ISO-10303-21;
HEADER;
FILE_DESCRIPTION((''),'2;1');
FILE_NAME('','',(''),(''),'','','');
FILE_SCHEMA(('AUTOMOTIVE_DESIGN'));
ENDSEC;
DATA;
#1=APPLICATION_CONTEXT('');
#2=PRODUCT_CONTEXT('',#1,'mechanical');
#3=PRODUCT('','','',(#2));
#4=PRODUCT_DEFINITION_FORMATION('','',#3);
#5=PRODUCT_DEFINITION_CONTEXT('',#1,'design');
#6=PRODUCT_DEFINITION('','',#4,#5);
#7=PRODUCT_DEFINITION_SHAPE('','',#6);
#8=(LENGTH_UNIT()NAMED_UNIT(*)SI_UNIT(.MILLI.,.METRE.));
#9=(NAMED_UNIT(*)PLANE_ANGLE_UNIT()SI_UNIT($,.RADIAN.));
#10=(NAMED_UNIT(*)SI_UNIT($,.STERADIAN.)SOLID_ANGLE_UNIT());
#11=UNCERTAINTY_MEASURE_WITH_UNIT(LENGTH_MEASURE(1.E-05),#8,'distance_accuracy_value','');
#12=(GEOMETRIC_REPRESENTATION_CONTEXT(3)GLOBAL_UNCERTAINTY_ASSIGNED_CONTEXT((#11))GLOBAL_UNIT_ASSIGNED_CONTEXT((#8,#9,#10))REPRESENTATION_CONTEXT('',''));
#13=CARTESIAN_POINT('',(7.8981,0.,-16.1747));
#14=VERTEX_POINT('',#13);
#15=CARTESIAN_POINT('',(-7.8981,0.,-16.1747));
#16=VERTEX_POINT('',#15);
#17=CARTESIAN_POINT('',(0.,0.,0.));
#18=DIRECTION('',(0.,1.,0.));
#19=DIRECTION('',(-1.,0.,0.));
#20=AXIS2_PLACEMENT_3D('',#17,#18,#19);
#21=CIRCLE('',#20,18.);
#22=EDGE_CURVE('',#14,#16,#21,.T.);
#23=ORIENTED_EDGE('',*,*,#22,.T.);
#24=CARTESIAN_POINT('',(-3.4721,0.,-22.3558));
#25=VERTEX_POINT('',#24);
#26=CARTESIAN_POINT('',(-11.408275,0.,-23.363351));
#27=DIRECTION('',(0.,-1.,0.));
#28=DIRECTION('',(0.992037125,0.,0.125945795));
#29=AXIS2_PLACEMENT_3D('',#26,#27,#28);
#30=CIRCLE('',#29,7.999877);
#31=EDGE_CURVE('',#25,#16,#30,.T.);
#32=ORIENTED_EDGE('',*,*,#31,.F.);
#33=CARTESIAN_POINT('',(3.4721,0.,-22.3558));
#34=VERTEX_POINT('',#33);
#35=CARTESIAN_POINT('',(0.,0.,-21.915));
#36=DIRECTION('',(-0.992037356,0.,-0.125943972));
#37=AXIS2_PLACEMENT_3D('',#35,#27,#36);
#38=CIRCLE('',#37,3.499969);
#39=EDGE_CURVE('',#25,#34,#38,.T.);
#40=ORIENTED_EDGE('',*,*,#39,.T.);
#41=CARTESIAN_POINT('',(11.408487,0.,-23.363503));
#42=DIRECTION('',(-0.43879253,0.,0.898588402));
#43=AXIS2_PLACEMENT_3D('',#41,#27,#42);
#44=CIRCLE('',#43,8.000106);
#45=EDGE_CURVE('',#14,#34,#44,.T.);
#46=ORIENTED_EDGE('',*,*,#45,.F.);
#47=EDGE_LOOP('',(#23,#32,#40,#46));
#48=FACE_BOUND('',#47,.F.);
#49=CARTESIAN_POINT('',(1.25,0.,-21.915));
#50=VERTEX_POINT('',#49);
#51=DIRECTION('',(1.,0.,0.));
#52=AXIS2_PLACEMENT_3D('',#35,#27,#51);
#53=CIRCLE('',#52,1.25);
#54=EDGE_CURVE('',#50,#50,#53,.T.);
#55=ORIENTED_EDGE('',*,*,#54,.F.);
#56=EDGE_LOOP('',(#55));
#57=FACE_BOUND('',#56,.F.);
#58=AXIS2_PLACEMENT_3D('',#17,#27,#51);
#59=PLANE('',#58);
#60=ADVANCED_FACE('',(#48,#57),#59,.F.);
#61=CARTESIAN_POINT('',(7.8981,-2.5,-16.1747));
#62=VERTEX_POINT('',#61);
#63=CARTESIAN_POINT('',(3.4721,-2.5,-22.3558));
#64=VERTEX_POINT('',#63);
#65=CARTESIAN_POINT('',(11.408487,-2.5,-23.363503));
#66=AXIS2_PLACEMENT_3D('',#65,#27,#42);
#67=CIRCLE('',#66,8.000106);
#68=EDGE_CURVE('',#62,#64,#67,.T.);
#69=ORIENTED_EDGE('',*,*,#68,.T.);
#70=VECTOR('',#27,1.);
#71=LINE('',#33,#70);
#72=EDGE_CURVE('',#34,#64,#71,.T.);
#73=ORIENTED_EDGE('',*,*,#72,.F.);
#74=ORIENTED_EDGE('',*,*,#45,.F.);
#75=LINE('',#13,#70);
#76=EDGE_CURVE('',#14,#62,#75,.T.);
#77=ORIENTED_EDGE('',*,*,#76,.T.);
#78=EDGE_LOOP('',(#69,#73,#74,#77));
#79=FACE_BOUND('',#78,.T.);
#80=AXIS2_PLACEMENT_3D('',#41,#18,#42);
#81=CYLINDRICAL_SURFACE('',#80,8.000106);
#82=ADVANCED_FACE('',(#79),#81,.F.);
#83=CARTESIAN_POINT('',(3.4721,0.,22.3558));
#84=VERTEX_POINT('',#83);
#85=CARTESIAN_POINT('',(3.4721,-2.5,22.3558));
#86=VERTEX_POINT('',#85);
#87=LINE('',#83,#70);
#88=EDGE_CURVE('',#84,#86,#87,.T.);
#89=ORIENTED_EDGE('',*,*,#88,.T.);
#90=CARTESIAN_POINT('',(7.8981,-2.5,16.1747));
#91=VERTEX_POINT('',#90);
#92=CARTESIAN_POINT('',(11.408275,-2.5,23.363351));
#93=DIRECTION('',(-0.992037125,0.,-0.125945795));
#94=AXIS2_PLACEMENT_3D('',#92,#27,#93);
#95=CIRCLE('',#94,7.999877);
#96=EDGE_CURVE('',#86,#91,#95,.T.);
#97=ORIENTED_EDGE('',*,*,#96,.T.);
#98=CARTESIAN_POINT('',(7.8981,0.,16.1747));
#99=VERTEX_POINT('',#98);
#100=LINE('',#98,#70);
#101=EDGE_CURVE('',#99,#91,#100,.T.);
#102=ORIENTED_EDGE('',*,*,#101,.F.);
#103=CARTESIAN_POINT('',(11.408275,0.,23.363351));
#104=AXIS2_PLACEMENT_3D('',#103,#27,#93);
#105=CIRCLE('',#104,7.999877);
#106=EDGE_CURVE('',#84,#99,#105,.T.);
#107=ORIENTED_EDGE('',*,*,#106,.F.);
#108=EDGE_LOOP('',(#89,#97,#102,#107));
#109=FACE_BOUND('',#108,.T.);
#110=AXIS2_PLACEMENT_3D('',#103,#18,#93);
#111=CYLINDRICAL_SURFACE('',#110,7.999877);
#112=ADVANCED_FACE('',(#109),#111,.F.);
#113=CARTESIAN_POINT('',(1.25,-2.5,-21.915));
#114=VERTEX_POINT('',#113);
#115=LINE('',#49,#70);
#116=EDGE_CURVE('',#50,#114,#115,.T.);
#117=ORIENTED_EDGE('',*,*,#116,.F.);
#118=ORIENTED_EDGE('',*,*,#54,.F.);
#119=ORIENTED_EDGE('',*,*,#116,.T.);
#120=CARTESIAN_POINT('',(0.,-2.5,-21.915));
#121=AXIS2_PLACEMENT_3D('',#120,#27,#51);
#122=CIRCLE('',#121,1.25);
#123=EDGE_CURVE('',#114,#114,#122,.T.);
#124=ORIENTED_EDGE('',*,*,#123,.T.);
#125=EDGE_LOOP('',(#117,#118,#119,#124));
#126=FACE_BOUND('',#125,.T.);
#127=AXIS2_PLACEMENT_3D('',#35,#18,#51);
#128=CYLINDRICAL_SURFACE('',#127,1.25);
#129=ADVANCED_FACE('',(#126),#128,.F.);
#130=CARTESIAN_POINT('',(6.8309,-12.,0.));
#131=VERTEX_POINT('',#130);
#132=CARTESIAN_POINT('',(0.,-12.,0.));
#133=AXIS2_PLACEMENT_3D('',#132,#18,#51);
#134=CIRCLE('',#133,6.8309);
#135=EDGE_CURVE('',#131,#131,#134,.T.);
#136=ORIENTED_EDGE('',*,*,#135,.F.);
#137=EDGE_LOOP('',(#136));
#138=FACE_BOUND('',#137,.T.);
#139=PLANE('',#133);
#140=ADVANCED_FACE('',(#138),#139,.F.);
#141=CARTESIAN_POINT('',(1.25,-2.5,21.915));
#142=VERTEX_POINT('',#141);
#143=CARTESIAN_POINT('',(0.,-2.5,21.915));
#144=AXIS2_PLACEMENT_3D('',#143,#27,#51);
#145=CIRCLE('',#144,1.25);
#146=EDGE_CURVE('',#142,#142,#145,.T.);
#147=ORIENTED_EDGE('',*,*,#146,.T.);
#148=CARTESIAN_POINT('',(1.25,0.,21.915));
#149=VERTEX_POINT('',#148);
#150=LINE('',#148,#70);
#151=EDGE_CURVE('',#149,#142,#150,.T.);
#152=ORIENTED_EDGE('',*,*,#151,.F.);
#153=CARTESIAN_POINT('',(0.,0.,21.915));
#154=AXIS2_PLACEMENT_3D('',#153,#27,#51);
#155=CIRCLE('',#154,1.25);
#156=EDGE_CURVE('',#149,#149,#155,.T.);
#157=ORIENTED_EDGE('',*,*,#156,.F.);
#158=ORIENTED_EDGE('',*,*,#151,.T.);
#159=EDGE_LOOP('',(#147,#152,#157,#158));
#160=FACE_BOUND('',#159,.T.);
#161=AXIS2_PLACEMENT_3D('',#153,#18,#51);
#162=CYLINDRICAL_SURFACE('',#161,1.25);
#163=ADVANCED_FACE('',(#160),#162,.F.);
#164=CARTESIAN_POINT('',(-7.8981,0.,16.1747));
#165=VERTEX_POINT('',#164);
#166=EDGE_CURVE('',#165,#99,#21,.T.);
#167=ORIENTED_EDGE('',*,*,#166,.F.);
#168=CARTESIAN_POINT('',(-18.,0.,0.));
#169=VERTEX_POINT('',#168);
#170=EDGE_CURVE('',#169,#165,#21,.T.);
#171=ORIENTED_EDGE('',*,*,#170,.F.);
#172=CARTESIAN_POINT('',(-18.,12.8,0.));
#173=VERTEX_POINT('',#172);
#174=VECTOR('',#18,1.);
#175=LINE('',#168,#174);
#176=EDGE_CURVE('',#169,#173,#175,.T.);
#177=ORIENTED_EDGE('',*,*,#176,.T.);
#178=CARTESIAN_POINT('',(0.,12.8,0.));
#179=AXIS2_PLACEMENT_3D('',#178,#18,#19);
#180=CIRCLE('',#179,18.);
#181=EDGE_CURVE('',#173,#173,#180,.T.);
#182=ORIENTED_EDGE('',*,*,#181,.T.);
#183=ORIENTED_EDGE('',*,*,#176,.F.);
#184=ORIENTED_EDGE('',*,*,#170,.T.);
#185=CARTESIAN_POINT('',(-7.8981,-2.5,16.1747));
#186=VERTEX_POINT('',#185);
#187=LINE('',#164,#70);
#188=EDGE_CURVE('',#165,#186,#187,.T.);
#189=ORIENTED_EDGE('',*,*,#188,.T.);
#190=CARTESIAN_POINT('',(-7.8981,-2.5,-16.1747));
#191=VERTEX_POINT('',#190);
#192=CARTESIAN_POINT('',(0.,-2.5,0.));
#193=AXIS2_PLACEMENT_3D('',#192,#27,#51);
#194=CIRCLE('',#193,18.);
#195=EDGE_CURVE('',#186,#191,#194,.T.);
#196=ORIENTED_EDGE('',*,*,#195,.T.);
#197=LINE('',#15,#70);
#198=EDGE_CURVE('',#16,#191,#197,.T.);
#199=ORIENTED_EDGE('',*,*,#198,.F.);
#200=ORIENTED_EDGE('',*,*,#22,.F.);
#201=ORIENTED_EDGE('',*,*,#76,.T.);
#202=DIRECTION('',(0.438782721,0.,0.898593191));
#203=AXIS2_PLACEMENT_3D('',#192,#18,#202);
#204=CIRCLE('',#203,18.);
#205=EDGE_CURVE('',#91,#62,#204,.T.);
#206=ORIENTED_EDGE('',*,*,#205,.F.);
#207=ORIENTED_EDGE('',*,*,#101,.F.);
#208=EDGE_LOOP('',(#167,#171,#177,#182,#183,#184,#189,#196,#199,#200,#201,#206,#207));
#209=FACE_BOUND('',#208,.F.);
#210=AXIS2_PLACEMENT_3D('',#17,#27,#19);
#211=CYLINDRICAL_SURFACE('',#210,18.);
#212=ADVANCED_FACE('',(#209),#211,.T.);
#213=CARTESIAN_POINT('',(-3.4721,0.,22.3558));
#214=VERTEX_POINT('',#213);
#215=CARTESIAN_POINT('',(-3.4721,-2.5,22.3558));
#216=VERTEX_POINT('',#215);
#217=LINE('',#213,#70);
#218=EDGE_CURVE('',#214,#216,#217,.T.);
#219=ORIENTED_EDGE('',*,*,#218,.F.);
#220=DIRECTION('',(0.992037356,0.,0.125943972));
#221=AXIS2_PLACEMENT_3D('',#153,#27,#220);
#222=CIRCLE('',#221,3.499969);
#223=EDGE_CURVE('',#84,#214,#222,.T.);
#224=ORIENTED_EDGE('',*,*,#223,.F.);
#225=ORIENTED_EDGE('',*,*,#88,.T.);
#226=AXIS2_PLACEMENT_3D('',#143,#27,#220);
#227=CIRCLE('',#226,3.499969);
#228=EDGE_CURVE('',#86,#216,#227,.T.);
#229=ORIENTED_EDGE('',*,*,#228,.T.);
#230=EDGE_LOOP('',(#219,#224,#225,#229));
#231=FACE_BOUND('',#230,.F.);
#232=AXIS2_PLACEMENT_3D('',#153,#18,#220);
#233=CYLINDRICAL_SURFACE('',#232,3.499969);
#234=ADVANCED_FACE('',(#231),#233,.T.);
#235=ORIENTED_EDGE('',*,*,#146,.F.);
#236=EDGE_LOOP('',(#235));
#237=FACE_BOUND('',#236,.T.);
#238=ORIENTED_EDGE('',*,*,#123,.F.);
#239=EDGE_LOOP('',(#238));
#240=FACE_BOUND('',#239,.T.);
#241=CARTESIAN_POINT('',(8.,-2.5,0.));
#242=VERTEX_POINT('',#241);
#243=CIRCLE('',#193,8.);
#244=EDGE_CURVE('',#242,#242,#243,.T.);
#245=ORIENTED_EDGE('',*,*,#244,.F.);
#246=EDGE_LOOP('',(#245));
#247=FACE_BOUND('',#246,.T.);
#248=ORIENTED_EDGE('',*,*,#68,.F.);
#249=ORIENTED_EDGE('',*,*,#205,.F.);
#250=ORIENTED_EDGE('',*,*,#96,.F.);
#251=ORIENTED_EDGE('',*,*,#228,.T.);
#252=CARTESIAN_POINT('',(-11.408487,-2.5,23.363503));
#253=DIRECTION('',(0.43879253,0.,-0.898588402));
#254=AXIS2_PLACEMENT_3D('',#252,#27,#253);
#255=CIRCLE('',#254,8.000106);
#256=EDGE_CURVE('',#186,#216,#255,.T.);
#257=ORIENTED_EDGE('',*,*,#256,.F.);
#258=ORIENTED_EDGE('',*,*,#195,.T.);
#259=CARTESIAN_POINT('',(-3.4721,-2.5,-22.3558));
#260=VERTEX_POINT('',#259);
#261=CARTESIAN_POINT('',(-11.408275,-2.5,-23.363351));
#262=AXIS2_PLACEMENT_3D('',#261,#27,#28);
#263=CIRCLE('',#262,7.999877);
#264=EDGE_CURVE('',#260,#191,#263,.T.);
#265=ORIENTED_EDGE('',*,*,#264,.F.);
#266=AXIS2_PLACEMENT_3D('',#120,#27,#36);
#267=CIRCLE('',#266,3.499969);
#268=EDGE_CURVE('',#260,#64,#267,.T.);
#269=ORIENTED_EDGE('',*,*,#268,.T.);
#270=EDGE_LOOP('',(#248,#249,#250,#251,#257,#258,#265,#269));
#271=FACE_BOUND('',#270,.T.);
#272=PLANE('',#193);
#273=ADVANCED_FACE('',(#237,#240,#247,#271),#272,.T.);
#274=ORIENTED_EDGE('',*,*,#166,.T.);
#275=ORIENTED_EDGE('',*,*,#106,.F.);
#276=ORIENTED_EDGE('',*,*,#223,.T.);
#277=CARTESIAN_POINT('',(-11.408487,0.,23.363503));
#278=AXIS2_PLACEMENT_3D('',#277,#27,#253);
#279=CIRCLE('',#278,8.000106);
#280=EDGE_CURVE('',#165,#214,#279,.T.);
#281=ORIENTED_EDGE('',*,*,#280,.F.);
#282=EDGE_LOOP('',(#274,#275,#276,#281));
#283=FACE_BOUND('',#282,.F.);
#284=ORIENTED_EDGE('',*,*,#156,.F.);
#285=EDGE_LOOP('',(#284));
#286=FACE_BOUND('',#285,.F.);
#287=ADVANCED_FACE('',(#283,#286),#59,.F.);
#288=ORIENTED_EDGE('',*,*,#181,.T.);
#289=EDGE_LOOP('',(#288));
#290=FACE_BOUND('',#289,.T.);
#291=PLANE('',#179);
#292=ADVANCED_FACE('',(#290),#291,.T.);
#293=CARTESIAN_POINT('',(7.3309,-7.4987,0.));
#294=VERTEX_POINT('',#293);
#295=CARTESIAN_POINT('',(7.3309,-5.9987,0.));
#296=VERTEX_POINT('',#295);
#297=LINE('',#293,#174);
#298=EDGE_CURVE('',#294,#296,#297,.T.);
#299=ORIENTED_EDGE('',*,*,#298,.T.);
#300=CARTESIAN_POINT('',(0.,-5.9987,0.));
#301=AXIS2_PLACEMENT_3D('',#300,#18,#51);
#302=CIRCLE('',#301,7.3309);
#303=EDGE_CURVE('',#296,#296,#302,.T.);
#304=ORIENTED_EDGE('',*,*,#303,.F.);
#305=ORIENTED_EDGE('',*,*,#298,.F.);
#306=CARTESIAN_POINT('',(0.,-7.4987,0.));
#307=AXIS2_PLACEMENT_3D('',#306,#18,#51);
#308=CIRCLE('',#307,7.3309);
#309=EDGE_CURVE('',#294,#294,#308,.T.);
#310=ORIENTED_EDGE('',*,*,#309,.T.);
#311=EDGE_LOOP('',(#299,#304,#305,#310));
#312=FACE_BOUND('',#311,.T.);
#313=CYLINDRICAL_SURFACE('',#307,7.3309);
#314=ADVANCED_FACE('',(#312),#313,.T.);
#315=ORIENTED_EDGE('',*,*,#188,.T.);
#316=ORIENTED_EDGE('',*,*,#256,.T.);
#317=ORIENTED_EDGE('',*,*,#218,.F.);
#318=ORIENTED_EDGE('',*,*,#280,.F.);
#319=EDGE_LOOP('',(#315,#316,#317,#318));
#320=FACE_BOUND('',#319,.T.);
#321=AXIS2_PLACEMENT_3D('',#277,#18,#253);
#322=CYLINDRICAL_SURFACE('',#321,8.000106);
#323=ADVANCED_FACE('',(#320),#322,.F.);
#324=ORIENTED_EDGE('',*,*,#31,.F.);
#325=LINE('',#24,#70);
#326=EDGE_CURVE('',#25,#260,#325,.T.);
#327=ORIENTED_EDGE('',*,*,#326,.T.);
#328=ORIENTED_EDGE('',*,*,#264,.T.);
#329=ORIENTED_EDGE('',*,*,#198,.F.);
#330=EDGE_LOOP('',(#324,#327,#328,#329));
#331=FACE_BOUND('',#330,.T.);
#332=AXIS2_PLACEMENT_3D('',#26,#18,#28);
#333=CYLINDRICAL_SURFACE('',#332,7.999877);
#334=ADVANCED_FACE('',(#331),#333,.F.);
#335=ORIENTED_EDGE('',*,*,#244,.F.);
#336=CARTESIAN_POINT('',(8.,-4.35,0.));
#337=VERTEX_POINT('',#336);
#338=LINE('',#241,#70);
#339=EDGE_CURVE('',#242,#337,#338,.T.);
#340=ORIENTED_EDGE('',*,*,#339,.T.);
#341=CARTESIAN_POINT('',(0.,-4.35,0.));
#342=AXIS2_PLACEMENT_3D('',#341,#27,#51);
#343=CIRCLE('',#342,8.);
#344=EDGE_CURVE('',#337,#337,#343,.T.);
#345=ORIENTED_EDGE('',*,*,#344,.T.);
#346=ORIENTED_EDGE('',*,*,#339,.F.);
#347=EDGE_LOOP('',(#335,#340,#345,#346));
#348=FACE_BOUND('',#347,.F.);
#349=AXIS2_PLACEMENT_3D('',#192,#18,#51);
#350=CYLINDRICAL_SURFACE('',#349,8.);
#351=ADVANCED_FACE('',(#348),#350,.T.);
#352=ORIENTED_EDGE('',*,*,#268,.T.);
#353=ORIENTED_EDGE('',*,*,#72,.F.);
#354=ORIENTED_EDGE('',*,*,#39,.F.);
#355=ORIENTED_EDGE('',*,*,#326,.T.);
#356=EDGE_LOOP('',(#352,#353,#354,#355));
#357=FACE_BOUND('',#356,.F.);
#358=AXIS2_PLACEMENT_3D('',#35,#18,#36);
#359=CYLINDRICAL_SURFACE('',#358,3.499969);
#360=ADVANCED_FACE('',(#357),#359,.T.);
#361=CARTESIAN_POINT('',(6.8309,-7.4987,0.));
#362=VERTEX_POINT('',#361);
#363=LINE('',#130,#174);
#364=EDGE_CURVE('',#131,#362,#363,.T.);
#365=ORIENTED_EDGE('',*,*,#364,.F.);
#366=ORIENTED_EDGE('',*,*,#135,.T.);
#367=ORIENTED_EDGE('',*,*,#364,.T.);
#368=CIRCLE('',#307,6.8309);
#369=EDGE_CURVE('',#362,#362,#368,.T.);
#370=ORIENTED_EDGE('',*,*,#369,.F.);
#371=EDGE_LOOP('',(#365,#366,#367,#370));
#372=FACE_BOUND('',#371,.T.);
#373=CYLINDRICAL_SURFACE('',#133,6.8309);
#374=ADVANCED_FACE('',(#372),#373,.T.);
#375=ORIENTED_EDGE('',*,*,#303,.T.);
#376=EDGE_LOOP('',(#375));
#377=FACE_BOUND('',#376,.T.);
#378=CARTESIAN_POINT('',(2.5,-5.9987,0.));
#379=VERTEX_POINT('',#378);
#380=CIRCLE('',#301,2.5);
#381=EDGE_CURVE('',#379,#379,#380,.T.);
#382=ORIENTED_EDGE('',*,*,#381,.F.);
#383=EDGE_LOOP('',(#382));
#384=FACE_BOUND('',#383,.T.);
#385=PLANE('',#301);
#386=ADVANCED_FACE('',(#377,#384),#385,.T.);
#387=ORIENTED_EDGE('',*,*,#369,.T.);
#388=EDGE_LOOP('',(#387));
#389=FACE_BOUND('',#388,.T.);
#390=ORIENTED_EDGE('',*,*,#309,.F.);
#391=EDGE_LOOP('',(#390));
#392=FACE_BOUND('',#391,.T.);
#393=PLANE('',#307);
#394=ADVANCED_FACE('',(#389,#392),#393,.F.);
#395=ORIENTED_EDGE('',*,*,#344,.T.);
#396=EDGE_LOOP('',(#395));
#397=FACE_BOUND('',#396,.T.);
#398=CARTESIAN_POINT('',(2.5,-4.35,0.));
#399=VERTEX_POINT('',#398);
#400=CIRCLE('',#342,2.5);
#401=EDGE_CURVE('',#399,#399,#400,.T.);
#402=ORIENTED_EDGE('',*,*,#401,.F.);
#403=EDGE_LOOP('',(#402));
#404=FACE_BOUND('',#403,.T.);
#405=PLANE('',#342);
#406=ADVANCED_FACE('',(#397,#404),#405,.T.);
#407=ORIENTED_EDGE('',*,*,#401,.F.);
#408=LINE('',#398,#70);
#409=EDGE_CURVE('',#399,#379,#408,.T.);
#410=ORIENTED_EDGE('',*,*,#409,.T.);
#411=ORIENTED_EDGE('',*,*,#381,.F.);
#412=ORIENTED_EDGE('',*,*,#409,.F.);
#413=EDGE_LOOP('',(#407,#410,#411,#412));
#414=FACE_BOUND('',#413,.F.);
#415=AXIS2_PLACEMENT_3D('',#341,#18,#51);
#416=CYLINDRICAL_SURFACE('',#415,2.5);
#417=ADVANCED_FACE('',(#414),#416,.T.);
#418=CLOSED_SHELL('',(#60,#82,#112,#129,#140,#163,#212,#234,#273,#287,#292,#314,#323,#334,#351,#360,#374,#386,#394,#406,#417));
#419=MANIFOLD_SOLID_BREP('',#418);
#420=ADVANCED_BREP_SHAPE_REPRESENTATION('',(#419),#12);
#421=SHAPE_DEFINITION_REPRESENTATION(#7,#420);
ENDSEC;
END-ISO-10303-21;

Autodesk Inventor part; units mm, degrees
ref_plane "YZ Plane" through (0, 0, 0) normal (1, 0, 0) x (0, 1, 0)
ref_plane "XZ Plane" through (0, 0, 0) normal (0, 1, 0) x (-1, 0, 0)
sketch "스케치1" plane through (0, 0, 0) normal (0, 1, 0) x (-1, 0, 0)
  circle A0 centre (0, 0) radius 18
  dimension "d0" = 36
extrude "돌출1" add sketch "스케치1" along normal blind 12.8
sketch "스케치5" plane through (0, 0, 0) normal (0, -1, 0) x (1, 0, 0)
  arc A0 (3.4721, 22.3558) -> (-3.4721, 22.3558) centre (0, 21.915) ccw
  arc A1 (-3.4721, -22.3558) -> (3.4721, -22.3558) centre (0, -21.915) ccw
  line L0 (0, 21.915) -> (0, -21.915) construction
  circle A2 centre (0, 21.915) radius 1.25
  circle A3 centre (0, -21.915) radius 1.25
  arc A4 (3.4721, 22.3558) -> (7.8981, 16.1747) centre (11.4084, 23.3634) ccw
  arc A5 (7.8981, -16.1747) -> (3.4721, -22.3558) centre (11.4084, -23.3634) ccw
  arc A6 (-3.4721, -22.3558) -> (-7.8981, -16.1747) centre (-11.4084, -23.3634) ccw
  arc A7 (-7.8981, 16.1747) -> (-3.4721, 22.3558) centre (-11.4084, 23.3634) ccw
  circle A8 centre (0, 0) radius 18 projected
  circle A9 centre (0, 0) radius 18 projected
  dimension "d14" = 7
  dimension "d15" = 7
  dimension "d16" = 43.83
  dimension "d17" = 2.5
  dimension "d18" = 2.5
  dimension "d19" = 16
  dimension "d20" = 16
  dimension "d21" = 16
  dimension "d22" = 16
extrude "돌출4" add sketch "스케치5" along normal blind 2.5
thread "스레드1" size "M3x0.5" class "6H" standard "ANSI Metric M Profile" full length
thread "스레드2" size "M3x0.5" class "6H" standard "ANSI Metric M Profile" full length
sketch "스케치6" plane through (0, -2.5, 0) normal (0, -1, 0) x (1, 0, 0)
  circle A0 centre (0, 0) radius 8
  dimension "d29" = 16
extrude "돌출5" add sketch "스케치6" along normal blind 1.85
ref_plane "작업 평면1" through (0, -6, 0) normal (0, -1, 0) x (1, 0, 0)
sketch "스케치7" plane through (0, -4.35, 0) normal (0, -1, 0) x (1, 0, 0)
  circle A0 centre (0, 0) radius 2.5
  dimension "d33" = 5
extrude "돌출6" add sketch "스케치7" along normal blind 7.65
sketch "스케치9" plane through (0, 0, 0) normal (0, 0, 1) x (1, 0, 0)
  line L0 (-2.5, -12) -> (2.5, -12) projected
  line L1 (2.5, -12) -> (6.8309, -12)
  line L2 (6.8309, -12) -> (6.8309, -7.4987)
  line L3 (6.8309, -7.4987) -> (7.3309, -7.4987)
  line L4 (2.5, -4.35) -> (2.5, -12) projected
  line L5 (7.3309, -7.4987) -> (7.3309, -5.9987)
  line L6 (7.3309, -5.9987) -> (2.5, -5.9987)
  line L7 (0, -13.2553) -> (0, -2.7284)
  point P0 (0, 0)
  dimension "d36" = 1.5
  dimension "d37" = 0.5
revolve "회전1" add sketch "스케치9" angle 360 about axis through (0, -13.2553, 0) along (0, 1, 0)
properties part number "스텝모터"
